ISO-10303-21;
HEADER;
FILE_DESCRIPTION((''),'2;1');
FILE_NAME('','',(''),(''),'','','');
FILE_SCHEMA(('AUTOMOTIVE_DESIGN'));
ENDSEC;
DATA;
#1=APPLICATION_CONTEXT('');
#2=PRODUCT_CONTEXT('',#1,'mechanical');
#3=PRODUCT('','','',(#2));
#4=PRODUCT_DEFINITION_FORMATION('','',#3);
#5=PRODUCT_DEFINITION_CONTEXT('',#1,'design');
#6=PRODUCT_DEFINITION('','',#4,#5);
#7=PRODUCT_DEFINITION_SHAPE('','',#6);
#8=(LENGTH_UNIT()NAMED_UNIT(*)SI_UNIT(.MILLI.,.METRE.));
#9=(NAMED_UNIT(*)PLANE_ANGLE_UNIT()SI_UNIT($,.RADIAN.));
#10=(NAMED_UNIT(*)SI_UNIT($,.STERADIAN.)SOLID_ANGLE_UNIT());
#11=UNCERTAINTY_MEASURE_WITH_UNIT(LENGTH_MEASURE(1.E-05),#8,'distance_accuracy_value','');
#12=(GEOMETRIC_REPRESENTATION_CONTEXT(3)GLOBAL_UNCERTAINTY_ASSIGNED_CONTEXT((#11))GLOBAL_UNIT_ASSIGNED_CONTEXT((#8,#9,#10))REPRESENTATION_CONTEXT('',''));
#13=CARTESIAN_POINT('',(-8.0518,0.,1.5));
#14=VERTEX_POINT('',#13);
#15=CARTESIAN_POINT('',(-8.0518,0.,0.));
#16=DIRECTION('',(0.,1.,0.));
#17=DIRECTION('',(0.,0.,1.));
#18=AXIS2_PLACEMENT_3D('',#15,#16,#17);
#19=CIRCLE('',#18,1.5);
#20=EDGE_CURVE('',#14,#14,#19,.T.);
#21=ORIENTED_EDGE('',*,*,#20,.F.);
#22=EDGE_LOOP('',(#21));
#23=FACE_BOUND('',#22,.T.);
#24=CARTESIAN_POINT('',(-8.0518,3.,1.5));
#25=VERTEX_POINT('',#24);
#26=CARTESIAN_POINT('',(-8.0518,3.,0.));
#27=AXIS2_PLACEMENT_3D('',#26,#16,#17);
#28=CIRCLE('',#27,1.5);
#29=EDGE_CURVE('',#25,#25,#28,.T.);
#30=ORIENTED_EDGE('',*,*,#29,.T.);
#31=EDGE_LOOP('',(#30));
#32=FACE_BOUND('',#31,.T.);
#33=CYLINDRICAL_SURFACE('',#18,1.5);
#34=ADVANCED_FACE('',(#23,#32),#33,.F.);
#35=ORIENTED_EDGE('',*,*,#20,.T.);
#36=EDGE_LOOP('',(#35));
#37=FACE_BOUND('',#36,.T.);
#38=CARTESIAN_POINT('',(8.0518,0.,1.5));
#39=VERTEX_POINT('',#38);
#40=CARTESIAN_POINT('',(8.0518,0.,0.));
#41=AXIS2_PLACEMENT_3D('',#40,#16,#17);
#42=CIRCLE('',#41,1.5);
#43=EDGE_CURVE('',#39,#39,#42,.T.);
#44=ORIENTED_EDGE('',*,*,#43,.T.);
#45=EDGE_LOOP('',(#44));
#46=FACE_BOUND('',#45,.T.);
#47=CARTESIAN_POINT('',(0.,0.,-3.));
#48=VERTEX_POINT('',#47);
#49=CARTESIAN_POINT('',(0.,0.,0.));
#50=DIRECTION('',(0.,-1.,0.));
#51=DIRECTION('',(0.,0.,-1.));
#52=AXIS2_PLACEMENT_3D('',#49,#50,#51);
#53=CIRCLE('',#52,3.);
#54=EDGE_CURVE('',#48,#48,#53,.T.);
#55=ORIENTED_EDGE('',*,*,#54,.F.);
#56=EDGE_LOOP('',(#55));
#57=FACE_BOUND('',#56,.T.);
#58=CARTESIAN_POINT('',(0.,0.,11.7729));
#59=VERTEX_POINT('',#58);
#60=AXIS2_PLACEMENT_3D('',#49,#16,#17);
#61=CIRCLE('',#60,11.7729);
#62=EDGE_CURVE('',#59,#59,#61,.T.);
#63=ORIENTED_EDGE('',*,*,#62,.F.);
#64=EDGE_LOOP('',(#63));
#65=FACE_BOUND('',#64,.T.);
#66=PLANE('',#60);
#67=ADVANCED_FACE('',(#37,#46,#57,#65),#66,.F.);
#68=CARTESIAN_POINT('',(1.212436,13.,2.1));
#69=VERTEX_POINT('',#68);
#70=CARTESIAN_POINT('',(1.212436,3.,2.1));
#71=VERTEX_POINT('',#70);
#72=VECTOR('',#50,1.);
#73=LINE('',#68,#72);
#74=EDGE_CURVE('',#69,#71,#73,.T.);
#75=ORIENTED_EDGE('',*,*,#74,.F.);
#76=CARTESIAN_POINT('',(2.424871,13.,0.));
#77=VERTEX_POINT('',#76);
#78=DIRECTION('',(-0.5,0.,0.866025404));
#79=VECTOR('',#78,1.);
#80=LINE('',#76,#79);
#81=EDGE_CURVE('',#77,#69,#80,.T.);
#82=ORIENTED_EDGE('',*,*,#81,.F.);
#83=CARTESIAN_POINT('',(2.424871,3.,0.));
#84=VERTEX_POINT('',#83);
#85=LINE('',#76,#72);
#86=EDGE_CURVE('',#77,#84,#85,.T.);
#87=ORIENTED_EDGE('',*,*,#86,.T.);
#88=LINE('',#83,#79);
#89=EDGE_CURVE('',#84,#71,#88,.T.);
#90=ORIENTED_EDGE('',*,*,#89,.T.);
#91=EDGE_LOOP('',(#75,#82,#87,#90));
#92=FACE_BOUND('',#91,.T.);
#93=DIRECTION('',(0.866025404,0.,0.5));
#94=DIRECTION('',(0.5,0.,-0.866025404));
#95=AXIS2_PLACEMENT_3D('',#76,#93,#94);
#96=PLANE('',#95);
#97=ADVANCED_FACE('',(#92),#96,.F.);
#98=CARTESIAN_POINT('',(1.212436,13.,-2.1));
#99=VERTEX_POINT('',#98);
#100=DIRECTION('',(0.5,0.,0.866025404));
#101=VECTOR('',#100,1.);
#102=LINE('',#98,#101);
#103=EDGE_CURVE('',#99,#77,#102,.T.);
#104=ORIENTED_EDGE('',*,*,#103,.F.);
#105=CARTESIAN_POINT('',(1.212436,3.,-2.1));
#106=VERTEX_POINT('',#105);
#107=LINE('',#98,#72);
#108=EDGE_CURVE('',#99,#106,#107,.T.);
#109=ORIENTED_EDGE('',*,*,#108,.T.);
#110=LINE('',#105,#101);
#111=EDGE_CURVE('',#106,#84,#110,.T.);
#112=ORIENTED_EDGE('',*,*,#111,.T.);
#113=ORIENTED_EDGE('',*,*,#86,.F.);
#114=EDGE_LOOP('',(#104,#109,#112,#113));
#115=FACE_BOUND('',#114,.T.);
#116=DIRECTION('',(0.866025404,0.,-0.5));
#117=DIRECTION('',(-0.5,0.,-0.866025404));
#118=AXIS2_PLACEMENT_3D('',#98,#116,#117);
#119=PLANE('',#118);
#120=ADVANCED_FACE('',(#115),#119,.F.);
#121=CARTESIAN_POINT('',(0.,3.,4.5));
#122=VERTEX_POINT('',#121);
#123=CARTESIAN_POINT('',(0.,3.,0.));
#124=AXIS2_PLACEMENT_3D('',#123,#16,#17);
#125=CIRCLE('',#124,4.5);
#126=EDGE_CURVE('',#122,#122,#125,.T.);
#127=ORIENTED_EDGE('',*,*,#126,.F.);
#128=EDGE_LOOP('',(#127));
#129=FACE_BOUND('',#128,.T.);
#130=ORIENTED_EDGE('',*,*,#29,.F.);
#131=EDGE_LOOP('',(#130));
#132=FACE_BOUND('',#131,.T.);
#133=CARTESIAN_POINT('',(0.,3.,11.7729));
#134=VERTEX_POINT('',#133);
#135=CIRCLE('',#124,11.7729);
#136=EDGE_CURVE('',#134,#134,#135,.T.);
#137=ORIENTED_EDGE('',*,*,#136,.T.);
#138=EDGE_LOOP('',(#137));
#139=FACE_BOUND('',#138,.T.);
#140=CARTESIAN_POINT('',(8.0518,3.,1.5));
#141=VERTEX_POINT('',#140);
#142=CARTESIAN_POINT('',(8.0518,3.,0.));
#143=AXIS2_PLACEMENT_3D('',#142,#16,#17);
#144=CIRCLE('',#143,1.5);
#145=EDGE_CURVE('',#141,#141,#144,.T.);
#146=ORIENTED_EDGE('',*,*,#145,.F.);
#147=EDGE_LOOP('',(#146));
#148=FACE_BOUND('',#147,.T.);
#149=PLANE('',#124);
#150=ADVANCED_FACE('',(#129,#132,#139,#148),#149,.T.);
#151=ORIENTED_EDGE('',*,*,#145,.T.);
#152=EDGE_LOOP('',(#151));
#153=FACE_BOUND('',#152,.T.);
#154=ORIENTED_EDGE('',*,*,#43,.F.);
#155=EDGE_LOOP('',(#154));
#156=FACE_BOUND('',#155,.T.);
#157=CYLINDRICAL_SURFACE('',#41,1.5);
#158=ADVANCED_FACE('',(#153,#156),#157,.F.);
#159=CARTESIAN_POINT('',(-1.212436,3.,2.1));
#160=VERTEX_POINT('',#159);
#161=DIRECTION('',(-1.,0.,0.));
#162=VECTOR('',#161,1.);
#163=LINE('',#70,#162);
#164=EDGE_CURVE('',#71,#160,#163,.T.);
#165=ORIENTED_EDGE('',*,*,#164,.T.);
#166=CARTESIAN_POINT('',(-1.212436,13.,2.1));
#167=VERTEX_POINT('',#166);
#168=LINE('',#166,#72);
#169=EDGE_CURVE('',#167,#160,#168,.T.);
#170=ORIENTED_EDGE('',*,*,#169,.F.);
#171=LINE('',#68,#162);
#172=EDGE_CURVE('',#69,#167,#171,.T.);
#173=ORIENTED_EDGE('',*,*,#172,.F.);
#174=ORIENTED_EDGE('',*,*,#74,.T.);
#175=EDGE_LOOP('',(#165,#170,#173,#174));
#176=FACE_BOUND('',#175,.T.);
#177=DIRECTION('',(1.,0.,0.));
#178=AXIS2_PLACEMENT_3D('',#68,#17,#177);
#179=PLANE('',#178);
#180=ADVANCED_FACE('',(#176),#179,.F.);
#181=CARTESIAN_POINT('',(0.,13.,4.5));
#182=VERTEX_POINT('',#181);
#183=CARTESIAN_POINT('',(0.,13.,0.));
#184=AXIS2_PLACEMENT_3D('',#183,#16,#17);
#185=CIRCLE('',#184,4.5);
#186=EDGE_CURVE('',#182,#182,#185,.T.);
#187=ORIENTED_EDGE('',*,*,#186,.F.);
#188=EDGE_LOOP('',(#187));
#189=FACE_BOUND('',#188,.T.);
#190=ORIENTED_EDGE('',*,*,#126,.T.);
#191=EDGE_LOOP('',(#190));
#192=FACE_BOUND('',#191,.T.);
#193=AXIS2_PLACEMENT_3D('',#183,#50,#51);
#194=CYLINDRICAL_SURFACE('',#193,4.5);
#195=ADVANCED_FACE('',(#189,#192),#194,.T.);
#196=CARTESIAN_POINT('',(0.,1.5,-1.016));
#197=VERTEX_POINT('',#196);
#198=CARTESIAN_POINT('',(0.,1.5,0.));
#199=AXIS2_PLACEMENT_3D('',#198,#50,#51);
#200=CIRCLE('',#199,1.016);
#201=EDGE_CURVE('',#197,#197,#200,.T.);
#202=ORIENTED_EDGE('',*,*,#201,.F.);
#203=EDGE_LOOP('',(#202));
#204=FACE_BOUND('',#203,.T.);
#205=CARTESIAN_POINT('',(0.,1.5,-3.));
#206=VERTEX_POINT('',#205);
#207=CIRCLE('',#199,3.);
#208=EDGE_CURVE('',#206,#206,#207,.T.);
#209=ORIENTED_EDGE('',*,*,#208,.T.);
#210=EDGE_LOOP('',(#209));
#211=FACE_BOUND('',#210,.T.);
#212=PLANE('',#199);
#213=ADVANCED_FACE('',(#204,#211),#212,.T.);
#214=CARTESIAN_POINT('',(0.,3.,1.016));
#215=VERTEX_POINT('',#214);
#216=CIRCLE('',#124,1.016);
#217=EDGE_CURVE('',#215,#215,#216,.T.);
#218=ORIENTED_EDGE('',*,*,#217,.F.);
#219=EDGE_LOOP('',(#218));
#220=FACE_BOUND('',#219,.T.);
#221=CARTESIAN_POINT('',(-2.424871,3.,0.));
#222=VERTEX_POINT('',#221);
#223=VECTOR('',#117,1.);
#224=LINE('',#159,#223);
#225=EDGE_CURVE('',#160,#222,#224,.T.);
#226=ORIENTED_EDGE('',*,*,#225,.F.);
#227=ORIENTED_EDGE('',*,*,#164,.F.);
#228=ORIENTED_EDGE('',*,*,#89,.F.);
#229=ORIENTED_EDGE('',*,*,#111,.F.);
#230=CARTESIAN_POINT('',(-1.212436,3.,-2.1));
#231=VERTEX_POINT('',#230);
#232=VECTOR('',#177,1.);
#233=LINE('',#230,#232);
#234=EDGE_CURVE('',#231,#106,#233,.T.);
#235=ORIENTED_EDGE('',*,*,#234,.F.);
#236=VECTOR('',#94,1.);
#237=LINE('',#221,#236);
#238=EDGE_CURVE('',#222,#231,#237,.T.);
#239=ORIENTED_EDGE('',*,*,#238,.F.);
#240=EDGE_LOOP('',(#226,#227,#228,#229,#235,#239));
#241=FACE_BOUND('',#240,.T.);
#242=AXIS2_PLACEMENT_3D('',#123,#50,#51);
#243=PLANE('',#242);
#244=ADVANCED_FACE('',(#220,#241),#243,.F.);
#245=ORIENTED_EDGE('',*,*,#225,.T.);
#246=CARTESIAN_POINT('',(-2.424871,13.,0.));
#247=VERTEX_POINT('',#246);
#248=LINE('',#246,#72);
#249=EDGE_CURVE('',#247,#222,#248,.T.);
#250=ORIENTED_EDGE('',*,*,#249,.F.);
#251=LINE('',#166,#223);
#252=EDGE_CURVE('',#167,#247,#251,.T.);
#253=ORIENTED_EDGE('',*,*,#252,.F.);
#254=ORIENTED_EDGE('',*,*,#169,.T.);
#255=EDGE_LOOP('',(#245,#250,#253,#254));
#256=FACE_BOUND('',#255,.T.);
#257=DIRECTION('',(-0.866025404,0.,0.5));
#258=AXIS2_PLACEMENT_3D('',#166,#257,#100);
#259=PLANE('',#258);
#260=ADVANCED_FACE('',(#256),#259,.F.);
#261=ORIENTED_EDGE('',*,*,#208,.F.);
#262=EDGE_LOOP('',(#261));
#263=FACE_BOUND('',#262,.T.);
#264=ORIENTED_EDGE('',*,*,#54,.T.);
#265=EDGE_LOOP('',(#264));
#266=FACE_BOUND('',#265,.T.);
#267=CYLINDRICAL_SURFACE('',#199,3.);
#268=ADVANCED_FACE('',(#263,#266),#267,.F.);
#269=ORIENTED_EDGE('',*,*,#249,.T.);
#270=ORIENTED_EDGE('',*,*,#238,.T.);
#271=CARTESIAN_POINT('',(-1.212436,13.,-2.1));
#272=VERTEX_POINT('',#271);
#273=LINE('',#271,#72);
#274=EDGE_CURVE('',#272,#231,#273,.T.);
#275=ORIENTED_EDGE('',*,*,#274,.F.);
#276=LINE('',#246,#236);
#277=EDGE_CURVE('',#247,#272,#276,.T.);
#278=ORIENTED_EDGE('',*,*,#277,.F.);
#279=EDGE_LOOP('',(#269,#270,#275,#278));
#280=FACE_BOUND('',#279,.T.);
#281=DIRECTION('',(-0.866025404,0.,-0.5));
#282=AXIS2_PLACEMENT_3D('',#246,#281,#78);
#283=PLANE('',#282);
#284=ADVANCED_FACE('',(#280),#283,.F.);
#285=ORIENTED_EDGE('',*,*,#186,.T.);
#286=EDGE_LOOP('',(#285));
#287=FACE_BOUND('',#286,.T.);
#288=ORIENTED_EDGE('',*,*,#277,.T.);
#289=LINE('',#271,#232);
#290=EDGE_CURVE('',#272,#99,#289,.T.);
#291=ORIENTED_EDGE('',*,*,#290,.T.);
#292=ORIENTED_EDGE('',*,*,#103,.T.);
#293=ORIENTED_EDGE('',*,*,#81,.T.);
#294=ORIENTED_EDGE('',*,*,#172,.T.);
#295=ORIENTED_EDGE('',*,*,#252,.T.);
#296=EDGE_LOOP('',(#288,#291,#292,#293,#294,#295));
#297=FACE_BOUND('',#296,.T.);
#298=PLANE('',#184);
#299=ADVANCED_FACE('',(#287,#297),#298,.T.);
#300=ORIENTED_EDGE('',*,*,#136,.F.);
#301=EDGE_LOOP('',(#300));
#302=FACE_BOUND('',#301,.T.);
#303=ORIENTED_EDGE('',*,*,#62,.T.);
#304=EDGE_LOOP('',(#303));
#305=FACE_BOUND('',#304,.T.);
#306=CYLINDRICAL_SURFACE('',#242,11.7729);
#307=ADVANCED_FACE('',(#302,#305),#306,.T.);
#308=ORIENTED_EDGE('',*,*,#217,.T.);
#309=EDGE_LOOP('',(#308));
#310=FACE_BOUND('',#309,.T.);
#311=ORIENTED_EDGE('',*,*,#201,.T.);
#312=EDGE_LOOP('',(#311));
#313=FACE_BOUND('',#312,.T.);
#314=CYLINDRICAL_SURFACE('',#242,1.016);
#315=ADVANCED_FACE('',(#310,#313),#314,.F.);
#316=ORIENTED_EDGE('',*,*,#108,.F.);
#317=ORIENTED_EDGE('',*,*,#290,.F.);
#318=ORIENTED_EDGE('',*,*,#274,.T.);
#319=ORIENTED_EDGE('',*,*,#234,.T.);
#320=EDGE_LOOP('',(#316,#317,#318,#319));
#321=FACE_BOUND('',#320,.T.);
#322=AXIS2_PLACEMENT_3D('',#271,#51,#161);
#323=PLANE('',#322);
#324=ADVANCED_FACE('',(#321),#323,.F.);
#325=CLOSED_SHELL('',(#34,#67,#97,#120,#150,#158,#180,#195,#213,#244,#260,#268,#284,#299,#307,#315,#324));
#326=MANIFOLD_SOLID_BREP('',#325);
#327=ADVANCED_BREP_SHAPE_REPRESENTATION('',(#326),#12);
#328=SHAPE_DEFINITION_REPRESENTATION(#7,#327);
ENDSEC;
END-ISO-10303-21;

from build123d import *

# Parameters (mm, degrees)
SKETCH1_R           = 11.7729
SKETCH1_R_2         = 1.016
BOSS_EXTRUDE1_DEPTH = 3
SKETCH2_R           = 1.5
CUT_EXTRUDE1_DEPTH  = 17.917516036
SKETCH4_R           = 3
CUT_EXTRUDE3_DEPTH  = 1.5
SKETCH6_R           = 4.5
BOSS_EXTRUDE4_DEPTH = 10
CUT_EXTRUDE4_DEPTH  = 20.421697887


with BuildPart() as part:
    # Sketch1 → Boss-Extrude1 (new body)
    with BuildSketch(Plane(origin=(0, 0, 0), x_dir=(1, 0, 0), z_dir=(0, 1, 0))):
        with Locations(Location((0, 0, 0), (0, 0, 270))):
            Circle(SKETCH1_R)
        with Locations(Location((0, 0, 0), (0, 0, 270))):
            Circle(SKETCH1_R_2, mode=Mode.SUBTRACT)
    extrude(amount=BOSS_EXTRUDE1_DEPTH)

    # Sketch2 → Cut-Extrude1 (cut, through all)
    with BuildSketch(Plane(origin=(0, 3, 0), x_dir=(1, 0, 0), z_dir=(0, 1, 0))):
        with Locations(Location((8.0518, 0, 0), (0, 0, 270))):
            Circle(SKETCH2_R)
        with Locations(Location((-8.0518, 0, 0), (0, 0, 270))):
            Circle(SKETCH2_R)
    extrude(amount=-CUT_EXTRUDE1_DEPTH, mode=Mode.SUBTRACT)

    # Sketch4 → Cut-Extrude3 (cut)
    with BuildSketch(Plane.XZ):
        with Locations(Location((0, 0, 0), (0, 0, 270))):
            Circle(SKETCH4_R)
    extrude(amount=-CUT_EXTRUDE3_DEPTH, mode=Mode.SUBTRACT)

    # Sketch6 → Boss-Extrude4 (add)
    with BuildSketch(Plane(origin=(0, 3, 0), x_dir=(1, 0, 0), z_dir=(0, 1, 0))):
        with Locations(Location((0, 0, 0), (0, 0, 270))):
            Circle(SKETCH6_R)
    extrude(amount=BOSS_EXTRUDE4_DEPTH)

    # Sketch7 → Cut-Extrude4 (cut, through all)
    with BuildSketch(Plane.XZ.offset(-3)):
        Polygon((2.424871131, 0), (1.212435565, 2.1), (-1.212435565, 2.1), (-2.424871131, 0), (-1.212435565, -2.1), (1.212435565, -2.1), align=None)
    extrude(amount=-CUT_EXTRUDE4_DEPTH, mode=Mode.SUBTRACT)


solid = part.part
